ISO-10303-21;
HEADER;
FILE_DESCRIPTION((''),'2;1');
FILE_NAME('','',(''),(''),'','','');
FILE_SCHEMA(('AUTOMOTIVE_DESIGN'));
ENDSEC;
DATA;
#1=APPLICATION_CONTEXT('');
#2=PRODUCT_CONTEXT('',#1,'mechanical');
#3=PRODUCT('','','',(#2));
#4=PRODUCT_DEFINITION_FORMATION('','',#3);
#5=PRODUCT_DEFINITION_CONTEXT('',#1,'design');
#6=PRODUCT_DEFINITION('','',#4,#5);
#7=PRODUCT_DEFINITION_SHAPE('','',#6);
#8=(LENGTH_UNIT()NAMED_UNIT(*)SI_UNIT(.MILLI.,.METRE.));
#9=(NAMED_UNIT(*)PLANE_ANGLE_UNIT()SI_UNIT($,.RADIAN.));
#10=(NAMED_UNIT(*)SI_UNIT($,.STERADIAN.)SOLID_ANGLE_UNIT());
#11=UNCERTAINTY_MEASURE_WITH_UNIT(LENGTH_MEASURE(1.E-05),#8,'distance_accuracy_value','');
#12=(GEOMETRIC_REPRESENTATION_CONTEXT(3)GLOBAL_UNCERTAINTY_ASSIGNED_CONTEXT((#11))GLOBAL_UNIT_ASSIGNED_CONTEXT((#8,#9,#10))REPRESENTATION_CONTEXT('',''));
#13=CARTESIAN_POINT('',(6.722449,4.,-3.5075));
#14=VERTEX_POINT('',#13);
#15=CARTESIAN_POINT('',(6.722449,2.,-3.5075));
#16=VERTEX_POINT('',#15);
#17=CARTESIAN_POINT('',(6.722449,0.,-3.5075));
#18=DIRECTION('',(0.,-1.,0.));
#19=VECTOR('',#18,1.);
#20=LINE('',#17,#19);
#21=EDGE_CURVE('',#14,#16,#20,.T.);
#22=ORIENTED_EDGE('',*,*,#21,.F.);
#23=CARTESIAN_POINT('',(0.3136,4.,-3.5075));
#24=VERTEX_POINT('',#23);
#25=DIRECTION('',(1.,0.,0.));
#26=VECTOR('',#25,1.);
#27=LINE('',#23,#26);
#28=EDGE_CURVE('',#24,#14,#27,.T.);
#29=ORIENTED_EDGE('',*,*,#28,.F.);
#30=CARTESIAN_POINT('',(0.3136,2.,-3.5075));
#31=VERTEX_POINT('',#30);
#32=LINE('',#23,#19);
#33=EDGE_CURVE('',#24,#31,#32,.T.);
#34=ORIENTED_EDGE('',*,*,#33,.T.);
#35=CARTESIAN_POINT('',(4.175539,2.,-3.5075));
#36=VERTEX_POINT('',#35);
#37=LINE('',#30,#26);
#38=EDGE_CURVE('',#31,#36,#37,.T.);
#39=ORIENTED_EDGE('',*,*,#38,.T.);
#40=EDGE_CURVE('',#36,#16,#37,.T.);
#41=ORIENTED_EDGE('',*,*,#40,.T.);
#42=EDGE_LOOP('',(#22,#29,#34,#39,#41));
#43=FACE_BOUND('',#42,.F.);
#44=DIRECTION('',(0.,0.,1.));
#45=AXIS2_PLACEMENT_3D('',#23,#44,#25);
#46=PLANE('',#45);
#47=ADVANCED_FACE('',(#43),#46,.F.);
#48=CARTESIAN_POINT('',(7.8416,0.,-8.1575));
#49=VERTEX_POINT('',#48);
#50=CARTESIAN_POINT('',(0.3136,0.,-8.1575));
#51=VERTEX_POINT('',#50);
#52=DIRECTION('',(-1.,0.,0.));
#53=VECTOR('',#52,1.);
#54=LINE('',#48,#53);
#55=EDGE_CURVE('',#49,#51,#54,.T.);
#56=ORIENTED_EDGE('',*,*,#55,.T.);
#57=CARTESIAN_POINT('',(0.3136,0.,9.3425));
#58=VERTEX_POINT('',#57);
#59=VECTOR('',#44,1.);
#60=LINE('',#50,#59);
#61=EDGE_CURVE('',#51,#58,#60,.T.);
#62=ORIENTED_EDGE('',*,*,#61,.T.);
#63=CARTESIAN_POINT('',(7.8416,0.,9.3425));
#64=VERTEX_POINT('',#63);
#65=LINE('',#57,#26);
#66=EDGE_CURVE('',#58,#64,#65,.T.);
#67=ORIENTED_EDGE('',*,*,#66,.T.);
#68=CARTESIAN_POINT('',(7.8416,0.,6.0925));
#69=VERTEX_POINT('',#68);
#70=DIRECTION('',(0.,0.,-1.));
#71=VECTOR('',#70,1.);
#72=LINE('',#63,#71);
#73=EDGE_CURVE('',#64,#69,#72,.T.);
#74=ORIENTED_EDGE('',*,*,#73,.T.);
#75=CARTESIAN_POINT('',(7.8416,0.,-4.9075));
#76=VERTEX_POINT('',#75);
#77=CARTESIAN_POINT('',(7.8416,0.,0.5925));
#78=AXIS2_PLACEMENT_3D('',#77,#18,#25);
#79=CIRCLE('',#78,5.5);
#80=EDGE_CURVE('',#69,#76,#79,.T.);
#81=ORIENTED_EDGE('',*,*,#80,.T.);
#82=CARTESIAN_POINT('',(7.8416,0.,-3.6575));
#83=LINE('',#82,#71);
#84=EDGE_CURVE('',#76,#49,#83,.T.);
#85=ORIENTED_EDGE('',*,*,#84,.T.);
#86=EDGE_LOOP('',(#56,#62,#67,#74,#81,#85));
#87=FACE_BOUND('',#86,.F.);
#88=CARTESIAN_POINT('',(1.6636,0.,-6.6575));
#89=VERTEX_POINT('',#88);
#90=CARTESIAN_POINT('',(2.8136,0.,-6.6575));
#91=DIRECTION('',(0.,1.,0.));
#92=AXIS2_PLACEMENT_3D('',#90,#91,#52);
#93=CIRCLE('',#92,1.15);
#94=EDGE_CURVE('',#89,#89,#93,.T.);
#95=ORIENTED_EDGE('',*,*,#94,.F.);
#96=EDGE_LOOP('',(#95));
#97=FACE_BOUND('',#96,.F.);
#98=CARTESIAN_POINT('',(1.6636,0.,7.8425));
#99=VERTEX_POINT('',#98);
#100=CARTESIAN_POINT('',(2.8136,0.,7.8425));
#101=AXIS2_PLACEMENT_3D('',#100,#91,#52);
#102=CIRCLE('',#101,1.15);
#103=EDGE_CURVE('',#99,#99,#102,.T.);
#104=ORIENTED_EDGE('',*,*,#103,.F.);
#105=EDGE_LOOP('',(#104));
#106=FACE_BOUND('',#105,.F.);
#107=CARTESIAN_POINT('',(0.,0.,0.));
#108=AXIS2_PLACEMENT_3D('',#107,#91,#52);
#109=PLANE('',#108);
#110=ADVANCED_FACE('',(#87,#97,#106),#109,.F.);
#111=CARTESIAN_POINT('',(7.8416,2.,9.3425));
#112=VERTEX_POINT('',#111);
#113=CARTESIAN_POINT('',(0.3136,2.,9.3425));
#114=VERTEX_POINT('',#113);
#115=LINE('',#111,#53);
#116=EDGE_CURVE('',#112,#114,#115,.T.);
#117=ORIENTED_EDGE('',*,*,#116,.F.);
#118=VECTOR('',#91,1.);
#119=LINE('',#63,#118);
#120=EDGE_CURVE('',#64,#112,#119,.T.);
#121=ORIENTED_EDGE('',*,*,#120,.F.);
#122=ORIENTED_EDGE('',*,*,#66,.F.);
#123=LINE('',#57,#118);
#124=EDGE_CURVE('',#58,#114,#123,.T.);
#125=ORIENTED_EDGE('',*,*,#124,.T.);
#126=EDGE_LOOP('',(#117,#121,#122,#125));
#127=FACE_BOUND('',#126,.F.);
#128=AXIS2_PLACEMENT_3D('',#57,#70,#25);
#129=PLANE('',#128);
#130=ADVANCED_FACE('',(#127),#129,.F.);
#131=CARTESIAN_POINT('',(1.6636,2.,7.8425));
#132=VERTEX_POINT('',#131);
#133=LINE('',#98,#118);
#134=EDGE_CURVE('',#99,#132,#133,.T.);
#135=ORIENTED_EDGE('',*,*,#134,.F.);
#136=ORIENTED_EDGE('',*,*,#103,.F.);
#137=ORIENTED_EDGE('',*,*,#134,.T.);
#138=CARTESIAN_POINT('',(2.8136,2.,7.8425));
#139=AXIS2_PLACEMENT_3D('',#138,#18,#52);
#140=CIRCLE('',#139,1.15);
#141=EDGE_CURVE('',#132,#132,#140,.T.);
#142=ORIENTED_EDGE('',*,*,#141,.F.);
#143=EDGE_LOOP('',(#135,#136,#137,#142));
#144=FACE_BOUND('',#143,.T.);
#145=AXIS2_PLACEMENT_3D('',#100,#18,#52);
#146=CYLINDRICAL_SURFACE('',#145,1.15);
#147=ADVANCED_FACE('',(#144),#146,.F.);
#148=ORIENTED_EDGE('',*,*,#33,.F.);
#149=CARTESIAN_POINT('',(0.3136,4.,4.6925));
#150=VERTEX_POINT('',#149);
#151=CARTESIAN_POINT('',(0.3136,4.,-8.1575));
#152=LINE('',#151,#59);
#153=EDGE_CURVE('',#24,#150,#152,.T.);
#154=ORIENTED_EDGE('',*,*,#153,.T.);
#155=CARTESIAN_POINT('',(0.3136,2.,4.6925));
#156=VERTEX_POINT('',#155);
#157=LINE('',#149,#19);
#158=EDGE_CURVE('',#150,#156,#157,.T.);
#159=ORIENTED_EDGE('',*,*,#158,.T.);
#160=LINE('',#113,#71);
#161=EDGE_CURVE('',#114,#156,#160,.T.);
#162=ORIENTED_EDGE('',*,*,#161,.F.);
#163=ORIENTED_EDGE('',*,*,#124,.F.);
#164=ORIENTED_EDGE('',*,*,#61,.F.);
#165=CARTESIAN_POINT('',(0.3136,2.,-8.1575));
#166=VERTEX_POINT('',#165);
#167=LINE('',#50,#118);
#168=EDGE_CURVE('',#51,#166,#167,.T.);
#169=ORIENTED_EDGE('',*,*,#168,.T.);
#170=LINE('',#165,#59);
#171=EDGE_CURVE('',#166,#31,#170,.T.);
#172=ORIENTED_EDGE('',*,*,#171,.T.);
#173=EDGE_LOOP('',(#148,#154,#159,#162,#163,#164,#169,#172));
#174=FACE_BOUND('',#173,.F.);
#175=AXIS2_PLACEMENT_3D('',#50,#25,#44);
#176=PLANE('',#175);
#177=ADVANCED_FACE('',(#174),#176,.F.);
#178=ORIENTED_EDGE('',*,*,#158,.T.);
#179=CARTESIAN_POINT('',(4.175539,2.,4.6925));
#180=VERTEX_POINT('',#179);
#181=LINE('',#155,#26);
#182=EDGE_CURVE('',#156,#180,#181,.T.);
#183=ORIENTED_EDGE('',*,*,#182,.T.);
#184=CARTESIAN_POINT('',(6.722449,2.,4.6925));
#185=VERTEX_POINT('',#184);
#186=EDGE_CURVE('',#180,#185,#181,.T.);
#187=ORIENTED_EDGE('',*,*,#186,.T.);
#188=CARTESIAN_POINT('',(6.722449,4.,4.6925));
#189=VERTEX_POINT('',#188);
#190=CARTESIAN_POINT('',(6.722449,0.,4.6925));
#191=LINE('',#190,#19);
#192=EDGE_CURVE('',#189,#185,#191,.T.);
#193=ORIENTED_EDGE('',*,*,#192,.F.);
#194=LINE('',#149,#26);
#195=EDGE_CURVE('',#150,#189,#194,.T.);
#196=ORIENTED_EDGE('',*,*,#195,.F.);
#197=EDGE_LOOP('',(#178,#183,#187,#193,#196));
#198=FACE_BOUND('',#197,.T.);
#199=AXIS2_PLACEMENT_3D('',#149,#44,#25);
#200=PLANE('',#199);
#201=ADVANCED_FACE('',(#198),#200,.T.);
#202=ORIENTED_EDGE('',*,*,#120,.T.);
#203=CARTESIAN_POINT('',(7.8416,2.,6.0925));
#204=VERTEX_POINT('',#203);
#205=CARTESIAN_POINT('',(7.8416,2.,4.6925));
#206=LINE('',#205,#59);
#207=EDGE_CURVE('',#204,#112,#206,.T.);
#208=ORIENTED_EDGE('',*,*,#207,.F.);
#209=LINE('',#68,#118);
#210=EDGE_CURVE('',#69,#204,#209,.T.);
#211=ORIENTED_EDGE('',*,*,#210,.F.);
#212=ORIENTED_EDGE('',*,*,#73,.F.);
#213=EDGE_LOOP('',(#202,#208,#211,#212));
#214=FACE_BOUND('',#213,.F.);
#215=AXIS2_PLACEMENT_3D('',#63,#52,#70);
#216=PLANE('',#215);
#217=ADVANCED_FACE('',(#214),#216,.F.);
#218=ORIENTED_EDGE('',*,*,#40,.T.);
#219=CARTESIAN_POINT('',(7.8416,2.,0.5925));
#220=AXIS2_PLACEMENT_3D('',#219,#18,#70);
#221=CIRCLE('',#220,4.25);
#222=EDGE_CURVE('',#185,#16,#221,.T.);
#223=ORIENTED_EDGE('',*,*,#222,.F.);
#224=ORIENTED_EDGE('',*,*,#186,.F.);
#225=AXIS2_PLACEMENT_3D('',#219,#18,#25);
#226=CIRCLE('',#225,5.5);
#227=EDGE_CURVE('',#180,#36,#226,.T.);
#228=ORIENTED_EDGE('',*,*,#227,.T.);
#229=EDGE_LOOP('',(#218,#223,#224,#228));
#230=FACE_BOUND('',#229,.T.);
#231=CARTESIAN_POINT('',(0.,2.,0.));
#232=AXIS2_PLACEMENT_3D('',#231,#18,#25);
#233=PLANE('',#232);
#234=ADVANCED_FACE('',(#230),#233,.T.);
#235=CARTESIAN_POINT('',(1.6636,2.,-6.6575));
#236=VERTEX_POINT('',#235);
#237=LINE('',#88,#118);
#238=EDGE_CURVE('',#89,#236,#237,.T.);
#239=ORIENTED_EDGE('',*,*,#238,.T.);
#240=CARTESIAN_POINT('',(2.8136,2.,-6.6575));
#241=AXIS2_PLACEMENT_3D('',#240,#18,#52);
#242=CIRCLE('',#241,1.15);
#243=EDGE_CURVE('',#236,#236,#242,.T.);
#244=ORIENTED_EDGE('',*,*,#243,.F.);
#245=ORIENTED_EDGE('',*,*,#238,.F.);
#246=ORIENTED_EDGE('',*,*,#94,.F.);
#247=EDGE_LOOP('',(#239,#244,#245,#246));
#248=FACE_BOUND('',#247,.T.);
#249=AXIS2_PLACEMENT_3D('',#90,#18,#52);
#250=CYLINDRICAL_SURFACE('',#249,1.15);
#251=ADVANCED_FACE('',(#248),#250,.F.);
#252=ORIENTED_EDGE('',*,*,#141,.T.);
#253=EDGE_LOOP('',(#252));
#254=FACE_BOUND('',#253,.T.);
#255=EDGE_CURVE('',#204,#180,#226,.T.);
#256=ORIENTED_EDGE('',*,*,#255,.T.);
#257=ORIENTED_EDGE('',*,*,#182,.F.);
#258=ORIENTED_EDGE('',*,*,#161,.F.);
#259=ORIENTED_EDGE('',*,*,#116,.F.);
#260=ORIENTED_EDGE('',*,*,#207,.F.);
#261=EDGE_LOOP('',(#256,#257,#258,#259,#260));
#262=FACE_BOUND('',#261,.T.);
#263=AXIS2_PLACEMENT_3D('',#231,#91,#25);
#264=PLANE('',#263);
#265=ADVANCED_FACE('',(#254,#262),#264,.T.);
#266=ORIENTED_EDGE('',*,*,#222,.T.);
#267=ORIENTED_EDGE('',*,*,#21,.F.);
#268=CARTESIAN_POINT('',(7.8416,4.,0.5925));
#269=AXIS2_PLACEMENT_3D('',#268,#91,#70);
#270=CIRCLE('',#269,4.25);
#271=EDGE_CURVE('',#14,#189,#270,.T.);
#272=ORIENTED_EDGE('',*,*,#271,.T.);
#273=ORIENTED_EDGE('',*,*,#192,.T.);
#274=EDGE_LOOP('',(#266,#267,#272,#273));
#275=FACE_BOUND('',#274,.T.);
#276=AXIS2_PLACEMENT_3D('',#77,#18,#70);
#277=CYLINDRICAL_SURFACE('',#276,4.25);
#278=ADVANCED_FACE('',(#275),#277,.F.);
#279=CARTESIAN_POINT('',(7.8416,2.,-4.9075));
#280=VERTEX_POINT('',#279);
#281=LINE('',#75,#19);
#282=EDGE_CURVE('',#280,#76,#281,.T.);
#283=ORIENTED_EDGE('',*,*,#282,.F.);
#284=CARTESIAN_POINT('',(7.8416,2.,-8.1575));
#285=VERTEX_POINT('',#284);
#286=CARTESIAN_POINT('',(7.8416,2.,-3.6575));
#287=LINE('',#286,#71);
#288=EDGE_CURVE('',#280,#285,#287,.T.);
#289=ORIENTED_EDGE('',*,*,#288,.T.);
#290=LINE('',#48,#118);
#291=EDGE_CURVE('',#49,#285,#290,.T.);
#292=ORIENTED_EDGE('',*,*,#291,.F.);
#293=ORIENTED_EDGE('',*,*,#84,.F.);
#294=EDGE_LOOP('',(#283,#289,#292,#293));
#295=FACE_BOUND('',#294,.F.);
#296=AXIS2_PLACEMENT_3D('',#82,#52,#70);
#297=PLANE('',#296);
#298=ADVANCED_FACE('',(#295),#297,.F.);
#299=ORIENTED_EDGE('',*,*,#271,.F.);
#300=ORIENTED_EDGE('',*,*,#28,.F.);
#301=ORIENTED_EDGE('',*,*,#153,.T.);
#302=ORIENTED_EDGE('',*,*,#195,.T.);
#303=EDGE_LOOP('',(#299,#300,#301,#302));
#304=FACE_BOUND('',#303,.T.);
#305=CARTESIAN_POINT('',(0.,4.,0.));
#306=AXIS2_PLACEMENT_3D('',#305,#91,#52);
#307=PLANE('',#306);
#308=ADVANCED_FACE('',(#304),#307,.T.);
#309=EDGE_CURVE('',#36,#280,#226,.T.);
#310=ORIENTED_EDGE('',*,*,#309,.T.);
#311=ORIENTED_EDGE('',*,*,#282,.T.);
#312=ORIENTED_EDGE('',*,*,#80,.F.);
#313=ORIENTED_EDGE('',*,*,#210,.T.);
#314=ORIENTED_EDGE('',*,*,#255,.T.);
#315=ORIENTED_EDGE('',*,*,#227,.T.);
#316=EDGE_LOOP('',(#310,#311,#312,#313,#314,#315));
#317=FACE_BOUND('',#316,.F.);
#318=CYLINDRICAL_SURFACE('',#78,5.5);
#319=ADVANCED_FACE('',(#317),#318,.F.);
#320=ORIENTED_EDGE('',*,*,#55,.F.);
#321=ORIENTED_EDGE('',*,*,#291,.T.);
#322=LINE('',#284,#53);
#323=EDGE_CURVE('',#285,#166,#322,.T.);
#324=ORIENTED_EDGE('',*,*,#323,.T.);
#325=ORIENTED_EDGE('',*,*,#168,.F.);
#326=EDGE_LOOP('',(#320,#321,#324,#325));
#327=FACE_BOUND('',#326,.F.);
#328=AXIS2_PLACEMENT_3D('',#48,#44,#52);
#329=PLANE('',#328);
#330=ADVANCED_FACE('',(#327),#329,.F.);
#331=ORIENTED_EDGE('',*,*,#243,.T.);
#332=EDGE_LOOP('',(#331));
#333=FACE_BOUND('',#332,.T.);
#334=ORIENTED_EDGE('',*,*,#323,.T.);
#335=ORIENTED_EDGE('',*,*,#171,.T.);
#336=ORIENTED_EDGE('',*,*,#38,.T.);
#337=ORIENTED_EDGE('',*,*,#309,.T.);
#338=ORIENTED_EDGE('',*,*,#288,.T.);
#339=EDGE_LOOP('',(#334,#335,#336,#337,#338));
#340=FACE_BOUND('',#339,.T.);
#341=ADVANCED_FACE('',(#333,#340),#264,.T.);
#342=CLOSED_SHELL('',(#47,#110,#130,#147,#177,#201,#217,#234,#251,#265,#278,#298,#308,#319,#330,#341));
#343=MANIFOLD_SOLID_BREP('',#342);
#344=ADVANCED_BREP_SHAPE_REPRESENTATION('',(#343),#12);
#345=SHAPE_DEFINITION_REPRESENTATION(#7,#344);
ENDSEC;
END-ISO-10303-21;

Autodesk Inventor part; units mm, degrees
ref_plane "YZ Plane" through (0, 0, 0) normal (1, 0, 0) x (0, 1, 0)
ref_plane "XZ Plane" through (0, 0, 0) normal (0, 1, 0) x (-1, 0, 0)
ref_plane "XY Plane" through (0, 0, 0) normal (0, 0, 1) x (1, 0, 0)
sketch "Sketch1" plane through (0, 0, 0) normal (0, 1, 0) x (-1, 0, 0)
  line L0 (-0.3136, 9.3425) -> (-7.8416, 9.3425)
  line L1 (-7.8416, -8.1575) -> (-0.3136, -8.1575)
  line L2 (-0.3136, -8.1575) -> (-0.3136, 9.3425)
  circle A0 centre (-2.8136, 7.8425) radius 1.15
  circle A1 centre (-2.8136, -6.6575) radius 1.15
  arc A2 (-7.8416, -3.6575) -> (-7.8416, 4.8425) centre (-7.8416, 0.5925) ccw
  line L3 (-7.8416, 9.3425) -> (-7.8416, 4.8425)
  line L4 (-7.8416, -3.6575) -> (-7.8416, -8.1575)
  point P0 (0, 0)
  point P1 (0, 0)
  dimension "d0" = 17.5
  dimension "d1" = 2.5
  dimension "d2" = 2.5
  dimension "d3" = 1.5
  dimension "d4" = 1.5
  dimension "d5" = 2.3
  dimension "d6" = 2.3
  dimension "d7" = 8.5
  dimension "d8" = 7.528
  dimension "d9" = 8.75
extrude "Extrusion1" add sketch "Sketch1" along normal blind 4
sketch "Sketch3" plane through (0, 0, 0) normal (0, -1, 0) x (1, 0, 0)
  circle A0 centre (7.8416, 0.5925) radius 5.5
  line L0 (7.8416, 9.3425) -> (7.8416, 4.8425) projected
  line L1 (7.8416, -8.1575) -> (0.3136, -8.1575) projected
  point P0 (0, 0)
  dimension "d12" = 11
  dimension "d13" = 0
  dimension "d14" = 8.75
extrude "Extrusion2" cut sketch "Sketch3" against normal blind 2
sketch "Sketch4" plane through (0, 4, 0) normal (0, 1, 0) x (1, 0, 0)
  line L0 (7.8416, -9.3425) -> (0.3136, -9.3425)
  line L1 (0.3136, -9.3425) -> (0.3136, -4.6925)
  line L2 (0.3136, -4.6925) -> (7.8416, -4.6925)
  line L3 (7.8416, -4.6925) -> (7.8416, -9.3425)
  line L4 (7.8416, 3.6575) -> (7.8416, 8.1575) projected
  line L5 (0.3136, 8.1575) -> (0.3136, -9.3425) projected
  line L6 (7.8416, 8.1575) -> (0.3136, 8.1575)
  line L7 (0.3136, 8.1575) -> (0.3136, 3.5075)
  line L8 (0.3136, 3.5075) -> (7.8416, 3.5075)
  line L9 (7.8416, 3.5075) -> (7.8416, 8.1575)
  point P0 (0, 0)
  dimension "d17" = 4.65
  dimension "d18" = 4.65
  dimension "d23" = 0
extrude "Extrusion3" cut sketch "Sketch4" against normal blind 2 contours L0 L1 L2 L3
extrude "Extrusion4" cut sketch "Sketch4" against normal blind 2 contours L5 L6 L4 L9 L8
properties part number "UCover_PWR"
